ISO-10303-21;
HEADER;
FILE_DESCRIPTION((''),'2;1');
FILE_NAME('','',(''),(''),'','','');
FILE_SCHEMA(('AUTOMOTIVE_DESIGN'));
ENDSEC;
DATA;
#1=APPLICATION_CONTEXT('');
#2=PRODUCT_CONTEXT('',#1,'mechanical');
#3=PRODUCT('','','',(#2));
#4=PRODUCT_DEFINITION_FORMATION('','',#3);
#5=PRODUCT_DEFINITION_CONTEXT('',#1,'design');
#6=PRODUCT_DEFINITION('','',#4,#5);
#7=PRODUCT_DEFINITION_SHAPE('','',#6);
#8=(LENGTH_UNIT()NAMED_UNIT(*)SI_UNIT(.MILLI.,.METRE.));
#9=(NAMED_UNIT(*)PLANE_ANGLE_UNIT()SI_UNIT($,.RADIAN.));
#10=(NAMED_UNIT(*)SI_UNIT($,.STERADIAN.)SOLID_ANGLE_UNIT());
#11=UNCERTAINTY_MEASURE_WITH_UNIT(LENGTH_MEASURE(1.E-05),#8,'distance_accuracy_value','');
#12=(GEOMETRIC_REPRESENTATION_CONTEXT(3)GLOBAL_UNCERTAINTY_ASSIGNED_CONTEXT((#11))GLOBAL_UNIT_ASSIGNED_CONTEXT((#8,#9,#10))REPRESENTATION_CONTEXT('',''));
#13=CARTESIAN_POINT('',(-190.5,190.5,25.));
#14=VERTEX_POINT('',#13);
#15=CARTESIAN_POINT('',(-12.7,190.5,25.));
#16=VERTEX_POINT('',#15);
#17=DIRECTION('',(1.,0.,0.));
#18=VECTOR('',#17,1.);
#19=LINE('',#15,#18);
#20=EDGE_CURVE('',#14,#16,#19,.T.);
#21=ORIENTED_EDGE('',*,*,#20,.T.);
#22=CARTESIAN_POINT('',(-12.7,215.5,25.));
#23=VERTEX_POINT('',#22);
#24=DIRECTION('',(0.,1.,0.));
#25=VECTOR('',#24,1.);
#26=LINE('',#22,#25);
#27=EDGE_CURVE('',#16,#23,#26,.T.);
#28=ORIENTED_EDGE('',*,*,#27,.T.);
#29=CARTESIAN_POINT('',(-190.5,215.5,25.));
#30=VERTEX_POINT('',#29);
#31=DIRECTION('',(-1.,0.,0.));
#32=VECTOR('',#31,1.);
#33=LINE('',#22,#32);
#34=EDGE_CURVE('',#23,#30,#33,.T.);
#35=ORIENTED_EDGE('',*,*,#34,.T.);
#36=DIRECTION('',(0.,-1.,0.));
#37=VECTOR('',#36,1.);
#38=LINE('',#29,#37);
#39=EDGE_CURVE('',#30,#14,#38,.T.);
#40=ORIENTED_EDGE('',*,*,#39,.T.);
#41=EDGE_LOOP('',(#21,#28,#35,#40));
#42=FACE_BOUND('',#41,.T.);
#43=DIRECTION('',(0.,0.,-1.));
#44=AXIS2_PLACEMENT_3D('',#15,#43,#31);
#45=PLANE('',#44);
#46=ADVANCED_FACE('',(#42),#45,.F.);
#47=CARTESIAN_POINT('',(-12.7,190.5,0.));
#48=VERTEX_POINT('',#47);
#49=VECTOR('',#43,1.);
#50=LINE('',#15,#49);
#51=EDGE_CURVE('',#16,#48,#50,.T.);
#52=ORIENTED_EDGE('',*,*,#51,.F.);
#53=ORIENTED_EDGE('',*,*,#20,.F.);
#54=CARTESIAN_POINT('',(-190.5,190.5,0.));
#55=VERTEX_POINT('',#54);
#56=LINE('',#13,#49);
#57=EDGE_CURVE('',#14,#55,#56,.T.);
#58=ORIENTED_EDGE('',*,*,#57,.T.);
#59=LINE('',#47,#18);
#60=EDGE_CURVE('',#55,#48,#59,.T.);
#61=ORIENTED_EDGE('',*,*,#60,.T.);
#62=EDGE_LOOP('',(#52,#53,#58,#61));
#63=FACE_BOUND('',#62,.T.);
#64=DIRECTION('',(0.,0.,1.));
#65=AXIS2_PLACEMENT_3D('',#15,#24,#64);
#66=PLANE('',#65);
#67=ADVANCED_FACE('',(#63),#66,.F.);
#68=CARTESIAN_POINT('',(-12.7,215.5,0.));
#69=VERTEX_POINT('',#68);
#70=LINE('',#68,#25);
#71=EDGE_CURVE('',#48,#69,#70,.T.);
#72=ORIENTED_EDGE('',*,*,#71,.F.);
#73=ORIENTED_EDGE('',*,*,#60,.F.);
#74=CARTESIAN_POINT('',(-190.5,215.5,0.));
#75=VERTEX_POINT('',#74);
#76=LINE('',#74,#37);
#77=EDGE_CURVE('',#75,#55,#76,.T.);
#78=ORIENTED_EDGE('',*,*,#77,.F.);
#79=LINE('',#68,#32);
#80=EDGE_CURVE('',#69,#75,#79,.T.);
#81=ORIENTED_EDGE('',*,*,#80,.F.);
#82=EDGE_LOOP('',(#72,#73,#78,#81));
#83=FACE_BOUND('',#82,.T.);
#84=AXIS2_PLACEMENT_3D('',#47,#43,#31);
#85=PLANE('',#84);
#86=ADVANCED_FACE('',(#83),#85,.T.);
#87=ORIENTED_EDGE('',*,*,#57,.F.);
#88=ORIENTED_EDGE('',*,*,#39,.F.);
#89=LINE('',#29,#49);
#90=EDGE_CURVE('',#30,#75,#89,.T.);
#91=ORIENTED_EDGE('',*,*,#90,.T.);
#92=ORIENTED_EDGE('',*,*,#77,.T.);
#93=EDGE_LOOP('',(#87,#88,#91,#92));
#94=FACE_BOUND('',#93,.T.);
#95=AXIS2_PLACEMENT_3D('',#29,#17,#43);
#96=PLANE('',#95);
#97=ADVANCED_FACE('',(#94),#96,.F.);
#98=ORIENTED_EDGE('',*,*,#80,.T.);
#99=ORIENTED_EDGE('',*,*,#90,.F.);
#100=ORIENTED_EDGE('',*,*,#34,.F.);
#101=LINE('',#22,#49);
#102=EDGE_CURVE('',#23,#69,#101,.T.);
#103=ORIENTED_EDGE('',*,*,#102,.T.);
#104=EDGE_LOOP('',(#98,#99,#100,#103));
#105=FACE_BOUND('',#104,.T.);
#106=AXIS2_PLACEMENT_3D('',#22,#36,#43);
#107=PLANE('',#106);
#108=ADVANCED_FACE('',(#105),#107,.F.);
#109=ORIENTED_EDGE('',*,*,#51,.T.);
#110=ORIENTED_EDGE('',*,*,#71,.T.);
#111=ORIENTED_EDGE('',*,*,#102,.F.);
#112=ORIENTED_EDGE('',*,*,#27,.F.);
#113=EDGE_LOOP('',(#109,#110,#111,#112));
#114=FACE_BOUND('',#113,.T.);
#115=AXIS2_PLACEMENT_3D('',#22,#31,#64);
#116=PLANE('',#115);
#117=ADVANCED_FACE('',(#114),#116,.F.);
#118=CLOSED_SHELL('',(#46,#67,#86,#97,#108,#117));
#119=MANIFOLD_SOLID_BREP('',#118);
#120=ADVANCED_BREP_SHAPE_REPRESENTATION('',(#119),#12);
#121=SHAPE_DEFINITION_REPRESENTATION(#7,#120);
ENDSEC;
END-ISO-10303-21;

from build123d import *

# Parameters (mm, degrees)
SKETCH1_W          = 177.8
SKETCH1_H          = 25
BASE_EXTRUDE_DEPTH = 25


with BuildPart() as part:
    # Sketch1 → Base-Extrude (new body)
    with BuildSketch(Plane.XY):
        with Locations((-101.6, 203)):
            Rectangle(SKETCH1_W, SKETCH1_H)
    extrude(amount=BASE_EXTRUDE_DEPTH)


solid = part.part
